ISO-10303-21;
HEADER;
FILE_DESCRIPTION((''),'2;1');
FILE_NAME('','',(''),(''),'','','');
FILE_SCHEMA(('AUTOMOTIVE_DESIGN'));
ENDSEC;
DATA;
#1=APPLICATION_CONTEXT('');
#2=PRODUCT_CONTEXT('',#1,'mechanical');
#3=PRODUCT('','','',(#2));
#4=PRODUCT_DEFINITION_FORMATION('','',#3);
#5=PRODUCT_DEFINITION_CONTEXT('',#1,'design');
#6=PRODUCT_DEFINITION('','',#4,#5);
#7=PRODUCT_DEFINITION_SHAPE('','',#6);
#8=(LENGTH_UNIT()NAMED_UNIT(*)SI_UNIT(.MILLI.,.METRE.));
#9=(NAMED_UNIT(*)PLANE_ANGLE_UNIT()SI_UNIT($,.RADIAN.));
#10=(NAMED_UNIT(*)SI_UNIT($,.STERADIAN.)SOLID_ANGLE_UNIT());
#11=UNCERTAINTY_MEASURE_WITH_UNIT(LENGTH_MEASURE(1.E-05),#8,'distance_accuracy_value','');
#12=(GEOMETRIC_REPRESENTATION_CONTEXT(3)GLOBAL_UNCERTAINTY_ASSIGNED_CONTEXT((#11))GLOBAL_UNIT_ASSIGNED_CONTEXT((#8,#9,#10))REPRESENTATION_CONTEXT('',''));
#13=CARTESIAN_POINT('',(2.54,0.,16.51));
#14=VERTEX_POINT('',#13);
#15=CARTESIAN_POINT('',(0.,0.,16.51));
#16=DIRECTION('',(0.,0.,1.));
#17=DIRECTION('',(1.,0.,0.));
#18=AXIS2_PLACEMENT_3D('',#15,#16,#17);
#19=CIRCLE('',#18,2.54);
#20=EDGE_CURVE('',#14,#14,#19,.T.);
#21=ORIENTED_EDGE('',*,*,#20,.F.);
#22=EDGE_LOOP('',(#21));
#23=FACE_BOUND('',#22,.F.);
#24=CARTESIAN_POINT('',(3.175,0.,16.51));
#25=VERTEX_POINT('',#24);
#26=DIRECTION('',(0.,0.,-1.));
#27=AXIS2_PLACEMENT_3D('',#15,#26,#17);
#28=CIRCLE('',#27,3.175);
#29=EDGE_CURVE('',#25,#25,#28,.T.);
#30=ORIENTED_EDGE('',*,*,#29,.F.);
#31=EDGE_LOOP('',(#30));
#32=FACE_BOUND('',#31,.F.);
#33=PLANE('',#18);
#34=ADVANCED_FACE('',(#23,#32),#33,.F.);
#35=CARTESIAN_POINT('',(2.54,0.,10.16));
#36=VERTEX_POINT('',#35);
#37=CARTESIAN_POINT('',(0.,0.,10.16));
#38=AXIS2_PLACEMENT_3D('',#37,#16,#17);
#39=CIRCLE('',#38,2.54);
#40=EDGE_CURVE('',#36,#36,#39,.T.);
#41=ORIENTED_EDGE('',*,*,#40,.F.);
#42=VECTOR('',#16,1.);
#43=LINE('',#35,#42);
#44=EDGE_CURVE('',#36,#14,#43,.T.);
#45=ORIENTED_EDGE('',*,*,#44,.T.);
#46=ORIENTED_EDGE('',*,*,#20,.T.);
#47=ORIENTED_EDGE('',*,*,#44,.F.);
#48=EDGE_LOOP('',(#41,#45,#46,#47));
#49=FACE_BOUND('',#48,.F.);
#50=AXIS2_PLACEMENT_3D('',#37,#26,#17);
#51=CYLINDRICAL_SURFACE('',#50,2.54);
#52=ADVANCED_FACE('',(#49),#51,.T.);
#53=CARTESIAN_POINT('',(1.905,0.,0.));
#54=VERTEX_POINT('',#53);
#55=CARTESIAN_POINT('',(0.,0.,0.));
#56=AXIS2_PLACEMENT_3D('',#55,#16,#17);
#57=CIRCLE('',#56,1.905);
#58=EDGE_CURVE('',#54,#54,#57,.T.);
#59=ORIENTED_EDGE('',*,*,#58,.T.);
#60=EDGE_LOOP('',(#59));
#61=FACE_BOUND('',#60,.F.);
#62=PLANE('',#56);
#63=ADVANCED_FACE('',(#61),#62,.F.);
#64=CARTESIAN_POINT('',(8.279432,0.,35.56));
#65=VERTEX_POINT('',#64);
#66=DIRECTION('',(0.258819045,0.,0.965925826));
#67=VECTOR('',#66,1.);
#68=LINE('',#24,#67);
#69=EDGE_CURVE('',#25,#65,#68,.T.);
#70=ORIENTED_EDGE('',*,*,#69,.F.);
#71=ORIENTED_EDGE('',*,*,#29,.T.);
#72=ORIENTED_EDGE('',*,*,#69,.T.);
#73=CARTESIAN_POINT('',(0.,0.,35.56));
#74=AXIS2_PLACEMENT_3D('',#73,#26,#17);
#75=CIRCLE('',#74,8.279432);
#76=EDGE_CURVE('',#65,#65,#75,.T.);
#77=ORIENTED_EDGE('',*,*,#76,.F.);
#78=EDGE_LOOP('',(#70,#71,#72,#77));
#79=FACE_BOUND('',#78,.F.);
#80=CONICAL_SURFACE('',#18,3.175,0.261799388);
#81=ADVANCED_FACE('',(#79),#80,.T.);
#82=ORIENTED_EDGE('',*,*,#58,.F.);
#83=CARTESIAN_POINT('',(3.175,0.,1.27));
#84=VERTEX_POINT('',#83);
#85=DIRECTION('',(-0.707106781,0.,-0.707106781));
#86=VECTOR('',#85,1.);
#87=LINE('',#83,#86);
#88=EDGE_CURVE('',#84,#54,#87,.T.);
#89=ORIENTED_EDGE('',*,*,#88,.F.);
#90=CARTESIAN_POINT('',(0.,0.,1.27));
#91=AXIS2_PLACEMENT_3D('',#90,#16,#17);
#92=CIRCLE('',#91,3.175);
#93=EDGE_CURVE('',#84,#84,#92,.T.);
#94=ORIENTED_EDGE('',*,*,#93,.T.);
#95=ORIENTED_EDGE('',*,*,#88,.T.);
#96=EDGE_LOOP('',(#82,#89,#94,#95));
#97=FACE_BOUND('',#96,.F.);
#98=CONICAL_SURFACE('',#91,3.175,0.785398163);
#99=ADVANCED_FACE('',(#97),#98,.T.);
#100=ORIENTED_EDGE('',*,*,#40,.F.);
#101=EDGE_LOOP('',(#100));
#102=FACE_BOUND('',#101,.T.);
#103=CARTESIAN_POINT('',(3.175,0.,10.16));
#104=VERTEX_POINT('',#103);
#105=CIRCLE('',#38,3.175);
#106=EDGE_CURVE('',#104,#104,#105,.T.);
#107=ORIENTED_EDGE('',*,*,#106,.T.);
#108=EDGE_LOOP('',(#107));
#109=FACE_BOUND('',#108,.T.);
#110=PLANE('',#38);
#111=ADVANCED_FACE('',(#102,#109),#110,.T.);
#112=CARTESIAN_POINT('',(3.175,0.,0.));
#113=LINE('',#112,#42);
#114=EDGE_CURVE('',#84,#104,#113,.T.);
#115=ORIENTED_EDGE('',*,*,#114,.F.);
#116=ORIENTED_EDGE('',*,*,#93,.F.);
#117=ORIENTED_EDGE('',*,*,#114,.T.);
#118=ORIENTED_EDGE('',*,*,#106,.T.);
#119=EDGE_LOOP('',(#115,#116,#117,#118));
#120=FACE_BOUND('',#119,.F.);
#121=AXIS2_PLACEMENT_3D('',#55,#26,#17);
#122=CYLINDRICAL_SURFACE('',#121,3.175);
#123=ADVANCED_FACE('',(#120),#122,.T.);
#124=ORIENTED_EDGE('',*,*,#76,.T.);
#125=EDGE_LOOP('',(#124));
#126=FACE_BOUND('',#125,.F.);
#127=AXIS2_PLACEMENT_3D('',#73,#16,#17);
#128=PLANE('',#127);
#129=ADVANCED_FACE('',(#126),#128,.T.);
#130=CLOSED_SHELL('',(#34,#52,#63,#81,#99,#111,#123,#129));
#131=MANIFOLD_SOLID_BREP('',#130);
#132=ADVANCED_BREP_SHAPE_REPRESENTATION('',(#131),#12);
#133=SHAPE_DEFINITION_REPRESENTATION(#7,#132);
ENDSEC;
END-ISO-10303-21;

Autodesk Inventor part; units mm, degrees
ref_plane "YZ Plane" through (0, 0, 0) normal (1, 0, 0) x (0, 1, 0)
ref_plane "XZ Plane" through (0, 0, 0) normal (0, 1, 0) x (-1, 0, 0)
ref_plane "XY Plane" through (0, 0, 0) normal (0, 0, 1) x (1, 0, 0)
sketch "Sketch1" plane through (0, 0, 0) normal (0, 0, 1) x (1, 0, 0)
  circle A0 centre (0, 0) radius 3.175
  dimension "d0" = 6.35
extrude "Extrusion1" add sketch "Sketch1" along normal blind 10.16
thread "Thread1" size "1/4-20 UNC" class "2A" standard "ANSI Unified Screw Threads" full length
chamfer "Chamfer1" distance 1.27 angle 45 1 edges at (-3.175, 0, 0)
sketch "Sketch3" plane through (0, 0, 10.16) normal (0, 0, 1) x (1, 0, 0)
  circle A0 centre (0, 0) radius 2.54
  dimension "d11" = 5.08
extrude "Extrusion3" add sketch "Sketch3" along normal blind 6.35
sketch "Sketch4" plane through (0, 0, 16.51) normal (0, 0, 1) x (1, 0, 0)
  circle A0 centre (0, 0) radius 3.175
  dimension "d14" = 6.35
extrude "Extrusion4" add sketch "Sketch4" along normal blind 19.05 draft 15
properties part number "peg-01"
